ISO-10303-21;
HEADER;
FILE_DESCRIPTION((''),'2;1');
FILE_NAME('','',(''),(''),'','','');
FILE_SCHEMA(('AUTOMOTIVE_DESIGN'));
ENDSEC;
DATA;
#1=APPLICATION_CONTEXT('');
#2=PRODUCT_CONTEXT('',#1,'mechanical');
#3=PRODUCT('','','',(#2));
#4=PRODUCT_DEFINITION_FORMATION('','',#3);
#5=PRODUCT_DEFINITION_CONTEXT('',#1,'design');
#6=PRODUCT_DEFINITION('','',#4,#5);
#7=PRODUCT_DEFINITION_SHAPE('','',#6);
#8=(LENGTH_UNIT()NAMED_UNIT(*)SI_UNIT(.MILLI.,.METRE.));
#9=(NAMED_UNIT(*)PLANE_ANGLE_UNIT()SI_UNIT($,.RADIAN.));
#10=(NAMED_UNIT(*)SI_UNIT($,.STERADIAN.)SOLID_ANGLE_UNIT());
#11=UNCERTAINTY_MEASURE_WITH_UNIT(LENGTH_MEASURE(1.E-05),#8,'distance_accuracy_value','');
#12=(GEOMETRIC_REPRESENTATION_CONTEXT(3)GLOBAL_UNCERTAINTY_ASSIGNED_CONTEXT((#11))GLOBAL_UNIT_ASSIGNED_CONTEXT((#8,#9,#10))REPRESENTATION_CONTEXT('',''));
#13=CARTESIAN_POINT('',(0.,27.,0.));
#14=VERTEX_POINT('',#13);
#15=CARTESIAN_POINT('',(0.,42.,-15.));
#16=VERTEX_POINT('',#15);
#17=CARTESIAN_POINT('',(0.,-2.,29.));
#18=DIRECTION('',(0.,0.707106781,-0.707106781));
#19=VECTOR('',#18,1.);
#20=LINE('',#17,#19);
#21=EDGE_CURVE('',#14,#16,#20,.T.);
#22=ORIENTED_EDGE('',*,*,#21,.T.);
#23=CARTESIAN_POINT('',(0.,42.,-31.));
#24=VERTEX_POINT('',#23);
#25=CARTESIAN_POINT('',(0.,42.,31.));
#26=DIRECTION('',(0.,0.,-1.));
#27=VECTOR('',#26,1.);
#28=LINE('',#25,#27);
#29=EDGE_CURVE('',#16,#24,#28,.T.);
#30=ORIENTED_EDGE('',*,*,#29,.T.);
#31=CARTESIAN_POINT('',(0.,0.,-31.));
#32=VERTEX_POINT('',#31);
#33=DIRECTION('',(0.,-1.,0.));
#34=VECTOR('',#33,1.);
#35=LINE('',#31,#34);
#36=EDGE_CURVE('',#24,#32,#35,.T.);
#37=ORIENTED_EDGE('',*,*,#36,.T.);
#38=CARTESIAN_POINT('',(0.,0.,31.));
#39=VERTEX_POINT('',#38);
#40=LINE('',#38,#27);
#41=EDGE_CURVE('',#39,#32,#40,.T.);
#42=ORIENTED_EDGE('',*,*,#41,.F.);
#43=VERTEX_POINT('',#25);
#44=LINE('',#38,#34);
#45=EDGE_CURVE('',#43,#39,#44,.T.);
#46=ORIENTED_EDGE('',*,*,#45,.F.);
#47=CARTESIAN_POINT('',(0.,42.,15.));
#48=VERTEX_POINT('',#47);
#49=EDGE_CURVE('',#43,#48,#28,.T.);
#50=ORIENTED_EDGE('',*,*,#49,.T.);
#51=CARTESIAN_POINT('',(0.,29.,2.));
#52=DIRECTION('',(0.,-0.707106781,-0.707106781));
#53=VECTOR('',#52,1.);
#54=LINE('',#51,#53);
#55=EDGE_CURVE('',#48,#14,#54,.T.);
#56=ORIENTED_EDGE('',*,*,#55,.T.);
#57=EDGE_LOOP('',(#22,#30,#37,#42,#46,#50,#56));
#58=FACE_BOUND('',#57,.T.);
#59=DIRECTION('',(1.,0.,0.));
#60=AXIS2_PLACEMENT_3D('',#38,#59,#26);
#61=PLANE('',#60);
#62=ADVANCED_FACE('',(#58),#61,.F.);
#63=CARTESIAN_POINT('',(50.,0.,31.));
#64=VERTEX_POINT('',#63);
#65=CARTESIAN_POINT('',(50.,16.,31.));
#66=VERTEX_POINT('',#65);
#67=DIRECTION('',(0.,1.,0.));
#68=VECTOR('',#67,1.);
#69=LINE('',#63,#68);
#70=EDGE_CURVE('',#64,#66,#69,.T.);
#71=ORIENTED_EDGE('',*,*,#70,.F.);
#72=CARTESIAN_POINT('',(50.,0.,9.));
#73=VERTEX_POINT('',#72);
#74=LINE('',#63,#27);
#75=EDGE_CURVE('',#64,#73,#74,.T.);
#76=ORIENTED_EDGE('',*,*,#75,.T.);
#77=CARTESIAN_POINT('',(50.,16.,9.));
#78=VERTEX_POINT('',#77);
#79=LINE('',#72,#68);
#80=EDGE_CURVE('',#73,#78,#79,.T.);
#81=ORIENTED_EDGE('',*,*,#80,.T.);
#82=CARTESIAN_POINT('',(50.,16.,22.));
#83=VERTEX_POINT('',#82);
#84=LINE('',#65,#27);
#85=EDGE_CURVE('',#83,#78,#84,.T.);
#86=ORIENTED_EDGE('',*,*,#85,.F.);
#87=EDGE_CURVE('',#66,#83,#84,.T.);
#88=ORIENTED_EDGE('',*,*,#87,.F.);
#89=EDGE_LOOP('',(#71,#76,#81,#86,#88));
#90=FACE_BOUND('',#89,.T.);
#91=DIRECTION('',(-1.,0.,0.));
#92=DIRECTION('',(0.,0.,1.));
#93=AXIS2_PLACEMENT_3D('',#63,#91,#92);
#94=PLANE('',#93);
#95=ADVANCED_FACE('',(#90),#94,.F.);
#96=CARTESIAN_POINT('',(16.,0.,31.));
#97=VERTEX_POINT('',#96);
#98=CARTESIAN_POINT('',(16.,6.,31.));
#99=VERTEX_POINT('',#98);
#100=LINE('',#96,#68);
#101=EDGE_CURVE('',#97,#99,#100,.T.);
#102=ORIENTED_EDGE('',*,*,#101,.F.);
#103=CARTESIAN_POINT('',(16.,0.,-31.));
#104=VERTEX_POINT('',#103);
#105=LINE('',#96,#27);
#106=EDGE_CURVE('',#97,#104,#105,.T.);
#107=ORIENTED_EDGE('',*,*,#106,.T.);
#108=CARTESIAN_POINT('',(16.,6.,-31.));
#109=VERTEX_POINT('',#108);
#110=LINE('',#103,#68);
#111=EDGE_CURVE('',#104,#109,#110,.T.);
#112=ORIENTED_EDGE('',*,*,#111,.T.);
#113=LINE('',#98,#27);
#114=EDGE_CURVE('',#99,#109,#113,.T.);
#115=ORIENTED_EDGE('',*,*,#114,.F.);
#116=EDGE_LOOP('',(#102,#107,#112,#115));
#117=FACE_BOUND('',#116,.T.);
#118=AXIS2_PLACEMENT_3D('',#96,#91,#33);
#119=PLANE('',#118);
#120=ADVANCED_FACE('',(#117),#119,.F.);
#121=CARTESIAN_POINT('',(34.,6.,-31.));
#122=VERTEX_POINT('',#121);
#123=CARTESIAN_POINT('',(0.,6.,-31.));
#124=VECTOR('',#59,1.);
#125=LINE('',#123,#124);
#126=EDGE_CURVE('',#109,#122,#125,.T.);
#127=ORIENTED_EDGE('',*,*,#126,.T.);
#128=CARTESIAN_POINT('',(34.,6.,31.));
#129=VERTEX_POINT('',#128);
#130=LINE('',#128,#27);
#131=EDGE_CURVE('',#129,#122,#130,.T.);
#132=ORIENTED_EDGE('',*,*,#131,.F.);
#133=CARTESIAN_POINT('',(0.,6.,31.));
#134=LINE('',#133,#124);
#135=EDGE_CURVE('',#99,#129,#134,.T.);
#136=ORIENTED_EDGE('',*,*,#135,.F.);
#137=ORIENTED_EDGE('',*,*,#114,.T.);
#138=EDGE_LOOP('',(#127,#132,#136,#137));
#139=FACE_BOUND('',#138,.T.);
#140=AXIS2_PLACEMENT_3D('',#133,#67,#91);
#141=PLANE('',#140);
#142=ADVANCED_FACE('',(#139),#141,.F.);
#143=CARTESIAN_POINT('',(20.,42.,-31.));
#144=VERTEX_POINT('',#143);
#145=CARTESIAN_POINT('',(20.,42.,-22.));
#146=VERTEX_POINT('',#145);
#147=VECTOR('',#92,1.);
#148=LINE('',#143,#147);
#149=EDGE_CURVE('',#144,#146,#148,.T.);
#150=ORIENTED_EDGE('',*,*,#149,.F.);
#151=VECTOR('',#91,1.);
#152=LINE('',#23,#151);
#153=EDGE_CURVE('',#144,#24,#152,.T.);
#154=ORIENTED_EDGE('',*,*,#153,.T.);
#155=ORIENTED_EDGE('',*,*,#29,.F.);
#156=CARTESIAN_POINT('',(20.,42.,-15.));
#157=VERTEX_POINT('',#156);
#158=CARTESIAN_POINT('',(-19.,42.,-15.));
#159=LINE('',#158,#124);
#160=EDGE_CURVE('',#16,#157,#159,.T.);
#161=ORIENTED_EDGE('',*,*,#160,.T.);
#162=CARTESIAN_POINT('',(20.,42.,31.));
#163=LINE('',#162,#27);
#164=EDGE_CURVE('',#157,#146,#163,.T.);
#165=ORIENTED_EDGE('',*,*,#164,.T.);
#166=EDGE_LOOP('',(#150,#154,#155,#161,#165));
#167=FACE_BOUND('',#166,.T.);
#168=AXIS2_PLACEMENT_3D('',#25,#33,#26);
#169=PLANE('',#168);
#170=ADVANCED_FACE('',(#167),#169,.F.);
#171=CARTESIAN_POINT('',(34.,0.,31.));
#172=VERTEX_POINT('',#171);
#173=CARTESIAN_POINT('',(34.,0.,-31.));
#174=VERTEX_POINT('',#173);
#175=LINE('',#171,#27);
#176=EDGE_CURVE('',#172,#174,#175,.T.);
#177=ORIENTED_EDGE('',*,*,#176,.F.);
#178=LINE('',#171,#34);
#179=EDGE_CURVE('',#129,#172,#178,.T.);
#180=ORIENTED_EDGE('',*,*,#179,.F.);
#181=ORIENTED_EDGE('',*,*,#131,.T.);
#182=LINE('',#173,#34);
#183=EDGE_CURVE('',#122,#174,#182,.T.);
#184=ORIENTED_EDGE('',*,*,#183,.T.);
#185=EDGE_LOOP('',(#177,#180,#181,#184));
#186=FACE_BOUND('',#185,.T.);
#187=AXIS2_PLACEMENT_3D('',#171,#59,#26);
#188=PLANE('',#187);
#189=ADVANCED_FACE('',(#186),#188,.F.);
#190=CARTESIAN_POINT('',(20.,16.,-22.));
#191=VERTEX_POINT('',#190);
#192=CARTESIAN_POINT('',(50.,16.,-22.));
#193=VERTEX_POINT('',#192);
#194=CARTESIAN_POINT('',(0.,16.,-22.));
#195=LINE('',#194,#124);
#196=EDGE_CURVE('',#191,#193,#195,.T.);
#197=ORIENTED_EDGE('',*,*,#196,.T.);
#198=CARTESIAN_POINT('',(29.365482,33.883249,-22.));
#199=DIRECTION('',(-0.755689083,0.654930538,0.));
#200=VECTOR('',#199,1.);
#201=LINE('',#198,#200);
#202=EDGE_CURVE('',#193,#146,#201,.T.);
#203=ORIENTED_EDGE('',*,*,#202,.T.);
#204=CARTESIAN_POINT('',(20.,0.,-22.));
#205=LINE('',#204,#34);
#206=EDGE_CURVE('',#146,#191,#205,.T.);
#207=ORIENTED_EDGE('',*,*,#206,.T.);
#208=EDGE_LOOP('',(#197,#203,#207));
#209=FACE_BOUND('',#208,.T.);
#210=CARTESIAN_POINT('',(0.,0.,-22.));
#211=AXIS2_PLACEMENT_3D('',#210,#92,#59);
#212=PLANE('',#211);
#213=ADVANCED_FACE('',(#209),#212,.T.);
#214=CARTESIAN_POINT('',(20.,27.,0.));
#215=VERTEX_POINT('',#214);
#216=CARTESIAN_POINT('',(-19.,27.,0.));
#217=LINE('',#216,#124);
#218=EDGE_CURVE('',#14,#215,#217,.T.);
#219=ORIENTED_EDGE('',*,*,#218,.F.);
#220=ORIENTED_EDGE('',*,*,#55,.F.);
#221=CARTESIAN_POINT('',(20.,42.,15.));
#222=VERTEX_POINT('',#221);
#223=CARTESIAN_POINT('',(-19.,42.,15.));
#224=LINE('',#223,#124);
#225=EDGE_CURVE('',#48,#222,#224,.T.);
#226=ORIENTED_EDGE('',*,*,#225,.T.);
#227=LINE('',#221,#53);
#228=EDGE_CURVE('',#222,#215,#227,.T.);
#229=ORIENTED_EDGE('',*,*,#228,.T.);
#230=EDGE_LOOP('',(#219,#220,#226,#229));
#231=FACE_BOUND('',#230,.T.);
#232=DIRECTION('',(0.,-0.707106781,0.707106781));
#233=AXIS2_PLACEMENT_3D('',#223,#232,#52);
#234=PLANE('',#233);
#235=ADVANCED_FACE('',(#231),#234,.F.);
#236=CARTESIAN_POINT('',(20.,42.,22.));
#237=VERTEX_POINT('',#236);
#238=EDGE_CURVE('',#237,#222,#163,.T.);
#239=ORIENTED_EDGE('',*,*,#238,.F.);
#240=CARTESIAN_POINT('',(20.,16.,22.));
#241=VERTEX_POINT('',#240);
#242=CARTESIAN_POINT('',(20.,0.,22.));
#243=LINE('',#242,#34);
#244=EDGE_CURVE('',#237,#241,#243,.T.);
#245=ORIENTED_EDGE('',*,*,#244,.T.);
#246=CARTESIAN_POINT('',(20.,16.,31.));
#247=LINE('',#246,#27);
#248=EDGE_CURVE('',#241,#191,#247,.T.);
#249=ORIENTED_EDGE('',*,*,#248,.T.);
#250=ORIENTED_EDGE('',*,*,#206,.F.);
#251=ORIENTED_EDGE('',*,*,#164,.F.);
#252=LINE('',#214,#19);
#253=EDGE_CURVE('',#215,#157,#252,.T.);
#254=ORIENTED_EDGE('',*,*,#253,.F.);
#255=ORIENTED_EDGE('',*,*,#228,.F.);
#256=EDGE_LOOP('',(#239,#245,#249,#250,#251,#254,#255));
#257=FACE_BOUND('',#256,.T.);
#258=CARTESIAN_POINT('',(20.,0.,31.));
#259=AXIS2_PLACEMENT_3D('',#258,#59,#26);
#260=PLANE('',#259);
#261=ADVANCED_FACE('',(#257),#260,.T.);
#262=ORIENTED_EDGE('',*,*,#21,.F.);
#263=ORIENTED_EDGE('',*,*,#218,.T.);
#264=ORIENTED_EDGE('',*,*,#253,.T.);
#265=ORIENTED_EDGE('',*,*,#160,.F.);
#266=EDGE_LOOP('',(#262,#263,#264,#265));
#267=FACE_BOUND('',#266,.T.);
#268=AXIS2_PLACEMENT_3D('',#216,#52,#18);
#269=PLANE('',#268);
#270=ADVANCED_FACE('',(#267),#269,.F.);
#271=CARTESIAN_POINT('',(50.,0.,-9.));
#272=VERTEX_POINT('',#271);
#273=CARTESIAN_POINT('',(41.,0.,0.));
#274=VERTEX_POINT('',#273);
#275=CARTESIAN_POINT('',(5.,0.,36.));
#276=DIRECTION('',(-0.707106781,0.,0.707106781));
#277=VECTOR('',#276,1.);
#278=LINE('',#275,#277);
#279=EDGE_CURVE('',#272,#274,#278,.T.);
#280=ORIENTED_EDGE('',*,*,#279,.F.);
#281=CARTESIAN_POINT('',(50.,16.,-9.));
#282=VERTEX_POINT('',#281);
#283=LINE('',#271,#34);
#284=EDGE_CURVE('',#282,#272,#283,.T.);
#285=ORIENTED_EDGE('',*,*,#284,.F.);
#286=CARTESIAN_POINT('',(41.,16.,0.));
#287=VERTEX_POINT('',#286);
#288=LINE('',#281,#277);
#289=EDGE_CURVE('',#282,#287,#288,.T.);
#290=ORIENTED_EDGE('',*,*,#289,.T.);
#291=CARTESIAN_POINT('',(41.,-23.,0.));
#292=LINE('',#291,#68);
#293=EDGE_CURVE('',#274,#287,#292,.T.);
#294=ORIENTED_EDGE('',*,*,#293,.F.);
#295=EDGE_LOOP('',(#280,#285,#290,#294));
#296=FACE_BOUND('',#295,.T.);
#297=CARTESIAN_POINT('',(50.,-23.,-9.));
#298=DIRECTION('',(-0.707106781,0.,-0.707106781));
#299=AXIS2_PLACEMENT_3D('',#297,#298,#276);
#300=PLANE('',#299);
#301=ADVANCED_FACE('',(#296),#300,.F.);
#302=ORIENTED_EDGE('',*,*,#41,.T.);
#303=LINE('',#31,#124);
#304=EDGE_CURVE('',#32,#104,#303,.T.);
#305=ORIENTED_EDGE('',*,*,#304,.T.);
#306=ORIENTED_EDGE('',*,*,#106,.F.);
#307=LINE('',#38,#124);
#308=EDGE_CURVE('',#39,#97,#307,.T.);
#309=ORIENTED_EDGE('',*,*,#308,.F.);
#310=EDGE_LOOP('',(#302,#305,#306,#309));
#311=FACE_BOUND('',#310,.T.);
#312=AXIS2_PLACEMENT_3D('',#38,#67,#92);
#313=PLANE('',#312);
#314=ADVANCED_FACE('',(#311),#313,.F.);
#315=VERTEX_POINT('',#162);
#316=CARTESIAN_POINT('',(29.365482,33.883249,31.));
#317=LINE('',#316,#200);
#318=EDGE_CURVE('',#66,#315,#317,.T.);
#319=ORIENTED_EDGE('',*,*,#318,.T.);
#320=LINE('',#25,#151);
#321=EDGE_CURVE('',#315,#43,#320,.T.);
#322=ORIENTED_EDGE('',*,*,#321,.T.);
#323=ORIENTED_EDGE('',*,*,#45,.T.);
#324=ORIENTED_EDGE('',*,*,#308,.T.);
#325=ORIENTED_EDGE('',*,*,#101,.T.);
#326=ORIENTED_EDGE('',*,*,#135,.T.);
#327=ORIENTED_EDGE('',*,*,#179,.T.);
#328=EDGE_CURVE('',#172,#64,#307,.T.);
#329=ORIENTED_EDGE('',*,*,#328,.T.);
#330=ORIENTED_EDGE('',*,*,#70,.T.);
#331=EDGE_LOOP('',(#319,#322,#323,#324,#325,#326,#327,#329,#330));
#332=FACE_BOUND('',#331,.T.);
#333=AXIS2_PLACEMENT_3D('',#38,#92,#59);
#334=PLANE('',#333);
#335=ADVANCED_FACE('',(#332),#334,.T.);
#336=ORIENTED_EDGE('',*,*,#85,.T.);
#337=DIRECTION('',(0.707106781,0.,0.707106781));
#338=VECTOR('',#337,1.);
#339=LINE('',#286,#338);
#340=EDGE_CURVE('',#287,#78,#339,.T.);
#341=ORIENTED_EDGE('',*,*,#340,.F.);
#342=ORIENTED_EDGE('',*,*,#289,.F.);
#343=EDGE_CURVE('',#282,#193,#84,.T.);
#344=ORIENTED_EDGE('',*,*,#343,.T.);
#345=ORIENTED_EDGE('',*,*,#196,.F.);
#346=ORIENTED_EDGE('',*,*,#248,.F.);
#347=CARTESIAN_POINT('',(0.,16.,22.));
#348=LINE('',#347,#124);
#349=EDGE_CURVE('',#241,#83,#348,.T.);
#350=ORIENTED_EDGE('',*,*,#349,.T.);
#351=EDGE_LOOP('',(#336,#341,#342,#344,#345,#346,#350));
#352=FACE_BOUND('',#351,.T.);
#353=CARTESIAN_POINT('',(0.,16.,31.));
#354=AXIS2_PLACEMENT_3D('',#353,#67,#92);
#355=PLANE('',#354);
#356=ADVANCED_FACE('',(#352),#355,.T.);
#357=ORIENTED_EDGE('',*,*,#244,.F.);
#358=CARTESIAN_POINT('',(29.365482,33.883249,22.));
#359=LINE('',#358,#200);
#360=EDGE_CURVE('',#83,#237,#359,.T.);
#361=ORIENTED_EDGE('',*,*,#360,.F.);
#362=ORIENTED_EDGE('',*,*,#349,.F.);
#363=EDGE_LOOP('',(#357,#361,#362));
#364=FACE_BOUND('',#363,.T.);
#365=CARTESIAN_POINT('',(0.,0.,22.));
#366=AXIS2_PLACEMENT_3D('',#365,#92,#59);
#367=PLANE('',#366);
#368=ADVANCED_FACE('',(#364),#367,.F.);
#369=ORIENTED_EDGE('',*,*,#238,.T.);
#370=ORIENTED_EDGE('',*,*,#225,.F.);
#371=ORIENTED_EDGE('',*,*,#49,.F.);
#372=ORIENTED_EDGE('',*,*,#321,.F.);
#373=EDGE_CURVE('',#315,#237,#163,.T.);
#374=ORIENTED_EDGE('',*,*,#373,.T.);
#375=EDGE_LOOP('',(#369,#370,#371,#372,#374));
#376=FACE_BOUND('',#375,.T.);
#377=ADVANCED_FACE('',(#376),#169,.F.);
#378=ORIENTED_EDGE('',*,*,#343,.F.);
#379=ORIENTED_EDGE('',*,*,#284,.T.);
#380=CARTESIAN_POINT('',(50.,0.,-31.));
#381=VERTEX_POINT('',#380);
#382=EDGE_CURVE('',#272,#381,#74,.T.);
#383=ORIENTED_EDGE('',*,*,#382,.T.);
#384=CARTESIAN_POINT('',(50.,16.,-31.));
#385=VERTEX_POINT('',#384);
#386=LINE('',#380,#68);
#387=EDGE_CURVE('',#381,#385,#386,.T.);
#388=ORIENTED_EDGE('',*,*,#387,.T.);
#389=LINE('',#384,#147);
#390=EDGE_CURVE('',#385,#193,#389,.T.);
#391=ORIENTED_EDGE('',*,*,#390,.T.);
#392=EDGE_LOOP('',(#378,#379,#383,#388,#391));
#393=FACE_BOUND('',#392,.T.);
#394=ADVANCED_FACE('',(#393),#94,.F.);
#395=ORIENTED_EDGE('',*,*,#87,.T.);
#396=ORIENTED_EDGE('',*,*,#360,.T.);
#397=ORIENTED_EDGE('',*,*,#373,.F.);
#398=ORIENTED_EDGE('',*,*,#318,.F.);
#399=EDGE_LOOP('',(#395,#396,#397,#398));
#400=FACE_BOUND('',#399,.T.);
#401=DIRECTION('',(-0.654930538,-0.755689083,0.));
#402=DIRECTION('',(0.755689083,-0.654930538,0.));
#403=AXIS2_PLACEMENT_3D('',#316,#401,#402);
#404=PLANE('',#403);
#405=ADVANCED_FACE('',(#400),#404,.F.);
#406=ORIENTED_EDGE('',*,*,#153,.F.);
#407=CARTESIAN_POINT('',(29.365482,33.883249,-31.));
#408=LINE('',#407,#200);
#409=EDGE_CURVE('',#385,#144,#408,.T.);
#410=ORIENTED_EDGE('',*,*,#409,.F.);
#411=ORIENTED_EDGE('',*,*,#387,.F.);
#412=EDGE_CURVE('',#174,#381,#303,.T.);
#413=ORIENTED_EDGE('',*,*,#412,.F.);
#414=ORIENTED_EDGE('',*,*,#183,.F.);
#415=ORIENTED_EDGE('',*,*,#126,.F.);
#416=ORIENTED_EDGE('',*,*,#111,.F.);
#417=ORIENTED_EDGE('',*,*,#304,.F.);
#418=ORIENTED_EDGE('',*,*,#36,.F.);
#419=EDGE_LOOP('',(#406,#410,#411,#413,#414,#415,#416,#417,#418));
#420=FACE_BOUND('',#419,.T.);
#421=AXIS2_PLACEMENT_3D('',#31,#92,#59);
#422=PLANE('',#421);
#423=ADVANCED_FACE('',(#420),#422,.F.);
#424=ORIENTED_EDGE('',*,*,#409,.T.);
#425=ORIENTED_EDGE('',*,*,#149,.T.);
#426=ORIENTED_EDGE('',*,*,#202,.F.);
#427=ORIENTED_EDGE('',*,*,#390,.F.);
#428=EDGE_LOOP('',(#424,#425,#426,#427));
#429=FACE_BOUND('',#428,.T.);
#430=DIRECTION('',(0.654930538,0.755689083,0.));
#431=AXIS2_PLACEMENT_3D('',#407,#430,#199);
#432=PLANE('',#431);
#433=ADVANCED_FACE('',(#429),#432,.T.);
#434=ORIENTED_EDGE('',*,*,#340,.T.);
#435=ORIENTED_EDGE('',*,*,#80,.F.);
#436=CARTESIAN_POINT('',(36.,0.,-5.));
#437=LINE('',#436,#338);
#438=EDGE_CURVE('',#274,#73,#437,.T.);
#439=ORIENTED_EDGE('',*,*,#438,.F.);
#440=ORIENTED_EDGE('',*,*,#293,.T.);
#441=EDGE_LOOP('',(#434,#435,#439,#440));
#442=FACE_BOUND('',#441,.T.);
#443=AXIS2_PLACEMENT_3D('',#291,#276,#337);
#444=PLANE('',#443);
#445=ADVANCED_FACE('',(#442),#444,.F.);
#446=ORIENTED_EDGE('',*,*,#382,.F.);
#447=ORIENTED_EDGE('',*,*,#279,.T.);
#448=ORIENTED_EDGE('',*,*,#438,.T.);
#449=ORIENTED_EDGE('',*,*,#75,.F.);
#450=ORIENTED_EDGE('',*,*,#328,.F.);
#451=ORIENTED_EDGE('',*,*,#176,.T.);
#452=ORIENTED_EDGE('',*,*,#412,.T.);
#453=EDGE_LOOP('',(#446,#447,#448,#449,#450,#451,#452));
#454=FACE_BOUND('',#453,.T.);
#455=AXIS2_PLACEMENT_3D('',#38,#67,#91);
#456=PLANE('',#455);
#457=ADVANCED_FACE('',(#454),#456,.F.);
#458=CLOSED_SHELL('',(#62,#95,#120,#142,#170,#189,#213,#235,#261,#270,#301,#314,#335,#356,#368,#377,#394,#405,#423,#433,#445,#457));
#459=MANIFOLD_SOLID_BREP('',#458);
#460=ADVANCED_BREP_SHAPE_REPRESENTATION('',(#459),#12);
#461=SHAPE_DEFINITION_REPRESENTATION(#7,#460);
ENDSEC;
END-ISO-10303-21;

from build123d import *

# Parameters (mm, degrees)
BOSS_EXTRUDE1_DEPTH = 31
BOSS_EXTRUDE2_START = 22
BOSS_EXTRUDE2_DEPTH = 9
BOSS_EXTRUDE3_START = -22
BOSS_EXTRUDE3_DEPTH = 9
CUT_EXTRUDE1_DEPTH  = 39
CUT_EXTRUDE2_DEPTH  = 39


with BuildPart() as part:
    # Sketch1 → Boss-Extrude1 (new, symmetric)
    with BuildSketch(Plane.XY):
        Polygon((20, 42), (0, 42), (0, 0), (16, 0), (16, 6), (34, 6), (34, 0), (50, 0), (50, 16), (20, 16), align=None)
    extrude(amount=BOSS_EXTRUDE1_DEPTH, both=True)

    # Sketch1<3> → Boss-Extrude2 (add)
    with BuildSketch(Plane.XY.offset(BOSS_EXTRUDE2_START)):
        Polygon((50, 16), (20, 42), (20, 16), align=None)
    extrude(amount=BOSS_EXTRUDE2_DEPTH)

    # Sketch1<5> → Boss-Extrude3 (add)
    with BuildSketch(Plane.XY.offset(BOSS_EXTRUDE3_START)):
        Polygon((50, 16), (20, 42), (20, 16), align=None)
    extrude(amount=-BOSS_EXTRUDE3_DEPTH)

    # Sketch3 → Cut-Extrude1 (cut)
    with BuildSketch(Plane(origin=(20, 0, 0), x_dir=(0, 0, -1), z_dir=(1, 0, 0))):
        Polygon((-15, 42), (0, 27), (15, 42), align=None)
    extrude(amount=-CUT_EXTRUDE1_DEPTH, mode=Mode.SUBTRACT)

    # Sketch4 → Cut-Extrude2 (cut)
    with BuildSketch(Plane(origin=(0, 16, 0), x_dir=(1, 0, 0), z_dir=(0, 1, 0))):
        Polygon((50, 9), (41, 0), (50, -9), align=None)
    extrude(amount=-CUT_EXTRUDE2_DEPTH, mode=Mode.SUBTRACT)


solid = part.part
